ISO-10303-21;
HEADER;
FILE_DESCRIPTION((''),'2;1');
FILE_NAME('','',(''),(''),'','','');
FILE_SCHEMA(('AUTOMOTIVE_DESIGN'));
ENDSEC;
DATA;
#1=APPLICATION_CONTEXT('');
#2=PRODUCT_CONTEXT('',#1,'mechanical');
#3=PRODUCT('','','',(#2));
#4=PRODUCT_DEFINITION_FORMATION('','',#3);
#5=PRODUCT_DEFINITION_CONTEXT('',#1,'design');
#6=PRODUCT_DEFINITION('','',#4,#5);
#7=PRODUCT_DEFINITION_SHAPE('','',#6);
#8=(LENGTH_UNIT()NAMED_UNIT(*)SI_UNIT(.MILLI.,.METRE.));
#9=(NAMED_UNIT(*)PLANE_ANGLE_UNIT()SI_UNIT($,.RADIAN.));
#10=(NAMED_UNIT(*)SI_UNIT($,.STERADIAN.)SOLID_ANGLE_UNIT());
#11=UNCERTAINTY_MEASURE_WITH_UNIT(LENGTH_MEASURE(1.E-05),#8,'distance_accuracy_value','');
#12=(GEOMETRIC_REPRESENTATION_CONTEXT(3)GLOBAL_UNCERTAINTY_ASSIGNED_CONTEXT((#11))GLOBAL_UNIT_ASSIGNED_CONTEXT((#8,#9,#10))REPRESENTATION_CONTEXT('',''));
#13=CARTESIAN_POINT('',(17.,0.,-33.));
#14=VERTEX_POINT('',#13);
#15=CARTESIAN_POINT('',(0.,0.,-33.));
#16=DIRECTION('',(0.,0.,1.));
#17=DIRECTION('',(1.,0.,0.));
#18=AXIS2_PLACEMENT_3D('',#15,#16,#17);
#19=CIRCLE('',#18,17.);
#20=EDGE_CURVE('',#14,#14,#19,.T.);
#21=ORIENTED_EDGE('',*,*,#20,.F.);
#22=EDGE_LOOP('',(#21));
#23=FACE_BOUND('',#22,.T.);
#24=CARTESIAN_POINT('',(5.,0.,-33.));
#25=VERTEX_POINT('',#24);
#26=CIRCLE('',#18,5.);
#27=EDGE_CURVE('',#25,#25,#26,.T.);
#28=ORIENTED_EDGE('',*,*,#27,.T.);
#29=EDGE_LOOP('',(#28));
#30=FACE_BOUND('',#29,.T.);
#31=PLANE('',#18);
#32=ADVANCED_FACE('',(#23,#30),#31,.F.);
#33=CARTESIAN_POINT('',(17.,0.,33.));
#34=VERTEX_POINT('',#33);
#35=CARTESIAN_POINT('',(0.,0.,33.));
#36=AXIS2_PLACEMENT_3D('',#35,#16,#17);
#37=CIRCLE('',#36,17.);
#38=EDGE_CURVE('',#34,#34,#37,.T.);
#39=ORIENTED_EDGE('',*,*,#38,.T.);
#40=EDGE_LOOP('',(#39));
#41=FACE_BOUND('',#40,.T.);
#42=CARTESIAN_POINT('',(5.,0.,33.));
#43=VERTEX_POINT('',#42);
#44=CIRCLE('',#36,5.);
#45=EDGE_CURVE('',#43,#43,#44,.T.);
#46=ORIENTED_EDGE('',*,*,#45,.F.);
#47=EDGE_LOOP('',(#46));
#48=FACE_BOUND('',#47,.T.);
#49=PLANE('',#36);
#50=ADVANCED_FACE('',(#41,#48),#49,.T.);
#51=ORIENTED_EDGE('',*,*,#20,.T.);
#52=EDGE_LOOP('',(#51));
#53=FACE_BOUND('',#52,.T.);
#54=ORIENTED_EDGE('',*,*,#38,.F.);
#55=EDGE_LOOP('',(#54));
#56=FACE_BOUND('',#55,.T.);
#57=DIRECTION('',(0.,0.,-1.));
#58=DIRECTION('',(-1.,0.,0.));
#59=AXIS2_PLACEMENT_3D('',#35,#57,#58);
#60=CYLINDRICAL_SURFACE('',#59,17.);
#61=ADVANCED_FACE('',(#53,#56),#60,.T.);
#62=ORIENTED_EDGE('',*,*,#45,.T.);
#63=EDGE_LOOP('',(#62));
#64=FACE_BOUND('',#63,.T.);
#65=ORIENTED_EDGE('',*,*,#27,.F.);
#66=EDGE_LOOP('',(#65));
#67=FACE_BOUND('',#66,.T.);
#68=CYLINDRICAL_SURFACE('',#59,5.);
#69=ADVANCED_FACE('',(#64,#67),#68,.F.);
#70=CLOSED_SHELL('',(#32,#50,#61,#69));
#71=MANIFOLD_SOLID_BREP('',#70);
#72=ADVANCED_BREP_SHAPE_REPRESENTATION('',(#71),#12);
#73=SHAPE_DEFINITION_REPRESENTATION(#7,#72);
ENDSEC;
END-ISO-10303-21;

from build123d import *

# Parameters (mm, degrees)
CROQUIS1_R              = 17
CROQUIS1_R_2            = 5
SALIENTE_EXTRUIR1_DEPTH = 33


with BuildPart() as part:
    # Croquis1 → Saliente-Extruir1 (new body, symmetric)
    with BuildSketch(Plane.XY):
        Circle(CROQUIS1_R)
        Circle(CROQUIS1_R_2, mode=Mode.SUBTRACT)
    extrude(amount=SALIENTE_EXTRUIR1_DEPTH, both=True)


solid = part.part
